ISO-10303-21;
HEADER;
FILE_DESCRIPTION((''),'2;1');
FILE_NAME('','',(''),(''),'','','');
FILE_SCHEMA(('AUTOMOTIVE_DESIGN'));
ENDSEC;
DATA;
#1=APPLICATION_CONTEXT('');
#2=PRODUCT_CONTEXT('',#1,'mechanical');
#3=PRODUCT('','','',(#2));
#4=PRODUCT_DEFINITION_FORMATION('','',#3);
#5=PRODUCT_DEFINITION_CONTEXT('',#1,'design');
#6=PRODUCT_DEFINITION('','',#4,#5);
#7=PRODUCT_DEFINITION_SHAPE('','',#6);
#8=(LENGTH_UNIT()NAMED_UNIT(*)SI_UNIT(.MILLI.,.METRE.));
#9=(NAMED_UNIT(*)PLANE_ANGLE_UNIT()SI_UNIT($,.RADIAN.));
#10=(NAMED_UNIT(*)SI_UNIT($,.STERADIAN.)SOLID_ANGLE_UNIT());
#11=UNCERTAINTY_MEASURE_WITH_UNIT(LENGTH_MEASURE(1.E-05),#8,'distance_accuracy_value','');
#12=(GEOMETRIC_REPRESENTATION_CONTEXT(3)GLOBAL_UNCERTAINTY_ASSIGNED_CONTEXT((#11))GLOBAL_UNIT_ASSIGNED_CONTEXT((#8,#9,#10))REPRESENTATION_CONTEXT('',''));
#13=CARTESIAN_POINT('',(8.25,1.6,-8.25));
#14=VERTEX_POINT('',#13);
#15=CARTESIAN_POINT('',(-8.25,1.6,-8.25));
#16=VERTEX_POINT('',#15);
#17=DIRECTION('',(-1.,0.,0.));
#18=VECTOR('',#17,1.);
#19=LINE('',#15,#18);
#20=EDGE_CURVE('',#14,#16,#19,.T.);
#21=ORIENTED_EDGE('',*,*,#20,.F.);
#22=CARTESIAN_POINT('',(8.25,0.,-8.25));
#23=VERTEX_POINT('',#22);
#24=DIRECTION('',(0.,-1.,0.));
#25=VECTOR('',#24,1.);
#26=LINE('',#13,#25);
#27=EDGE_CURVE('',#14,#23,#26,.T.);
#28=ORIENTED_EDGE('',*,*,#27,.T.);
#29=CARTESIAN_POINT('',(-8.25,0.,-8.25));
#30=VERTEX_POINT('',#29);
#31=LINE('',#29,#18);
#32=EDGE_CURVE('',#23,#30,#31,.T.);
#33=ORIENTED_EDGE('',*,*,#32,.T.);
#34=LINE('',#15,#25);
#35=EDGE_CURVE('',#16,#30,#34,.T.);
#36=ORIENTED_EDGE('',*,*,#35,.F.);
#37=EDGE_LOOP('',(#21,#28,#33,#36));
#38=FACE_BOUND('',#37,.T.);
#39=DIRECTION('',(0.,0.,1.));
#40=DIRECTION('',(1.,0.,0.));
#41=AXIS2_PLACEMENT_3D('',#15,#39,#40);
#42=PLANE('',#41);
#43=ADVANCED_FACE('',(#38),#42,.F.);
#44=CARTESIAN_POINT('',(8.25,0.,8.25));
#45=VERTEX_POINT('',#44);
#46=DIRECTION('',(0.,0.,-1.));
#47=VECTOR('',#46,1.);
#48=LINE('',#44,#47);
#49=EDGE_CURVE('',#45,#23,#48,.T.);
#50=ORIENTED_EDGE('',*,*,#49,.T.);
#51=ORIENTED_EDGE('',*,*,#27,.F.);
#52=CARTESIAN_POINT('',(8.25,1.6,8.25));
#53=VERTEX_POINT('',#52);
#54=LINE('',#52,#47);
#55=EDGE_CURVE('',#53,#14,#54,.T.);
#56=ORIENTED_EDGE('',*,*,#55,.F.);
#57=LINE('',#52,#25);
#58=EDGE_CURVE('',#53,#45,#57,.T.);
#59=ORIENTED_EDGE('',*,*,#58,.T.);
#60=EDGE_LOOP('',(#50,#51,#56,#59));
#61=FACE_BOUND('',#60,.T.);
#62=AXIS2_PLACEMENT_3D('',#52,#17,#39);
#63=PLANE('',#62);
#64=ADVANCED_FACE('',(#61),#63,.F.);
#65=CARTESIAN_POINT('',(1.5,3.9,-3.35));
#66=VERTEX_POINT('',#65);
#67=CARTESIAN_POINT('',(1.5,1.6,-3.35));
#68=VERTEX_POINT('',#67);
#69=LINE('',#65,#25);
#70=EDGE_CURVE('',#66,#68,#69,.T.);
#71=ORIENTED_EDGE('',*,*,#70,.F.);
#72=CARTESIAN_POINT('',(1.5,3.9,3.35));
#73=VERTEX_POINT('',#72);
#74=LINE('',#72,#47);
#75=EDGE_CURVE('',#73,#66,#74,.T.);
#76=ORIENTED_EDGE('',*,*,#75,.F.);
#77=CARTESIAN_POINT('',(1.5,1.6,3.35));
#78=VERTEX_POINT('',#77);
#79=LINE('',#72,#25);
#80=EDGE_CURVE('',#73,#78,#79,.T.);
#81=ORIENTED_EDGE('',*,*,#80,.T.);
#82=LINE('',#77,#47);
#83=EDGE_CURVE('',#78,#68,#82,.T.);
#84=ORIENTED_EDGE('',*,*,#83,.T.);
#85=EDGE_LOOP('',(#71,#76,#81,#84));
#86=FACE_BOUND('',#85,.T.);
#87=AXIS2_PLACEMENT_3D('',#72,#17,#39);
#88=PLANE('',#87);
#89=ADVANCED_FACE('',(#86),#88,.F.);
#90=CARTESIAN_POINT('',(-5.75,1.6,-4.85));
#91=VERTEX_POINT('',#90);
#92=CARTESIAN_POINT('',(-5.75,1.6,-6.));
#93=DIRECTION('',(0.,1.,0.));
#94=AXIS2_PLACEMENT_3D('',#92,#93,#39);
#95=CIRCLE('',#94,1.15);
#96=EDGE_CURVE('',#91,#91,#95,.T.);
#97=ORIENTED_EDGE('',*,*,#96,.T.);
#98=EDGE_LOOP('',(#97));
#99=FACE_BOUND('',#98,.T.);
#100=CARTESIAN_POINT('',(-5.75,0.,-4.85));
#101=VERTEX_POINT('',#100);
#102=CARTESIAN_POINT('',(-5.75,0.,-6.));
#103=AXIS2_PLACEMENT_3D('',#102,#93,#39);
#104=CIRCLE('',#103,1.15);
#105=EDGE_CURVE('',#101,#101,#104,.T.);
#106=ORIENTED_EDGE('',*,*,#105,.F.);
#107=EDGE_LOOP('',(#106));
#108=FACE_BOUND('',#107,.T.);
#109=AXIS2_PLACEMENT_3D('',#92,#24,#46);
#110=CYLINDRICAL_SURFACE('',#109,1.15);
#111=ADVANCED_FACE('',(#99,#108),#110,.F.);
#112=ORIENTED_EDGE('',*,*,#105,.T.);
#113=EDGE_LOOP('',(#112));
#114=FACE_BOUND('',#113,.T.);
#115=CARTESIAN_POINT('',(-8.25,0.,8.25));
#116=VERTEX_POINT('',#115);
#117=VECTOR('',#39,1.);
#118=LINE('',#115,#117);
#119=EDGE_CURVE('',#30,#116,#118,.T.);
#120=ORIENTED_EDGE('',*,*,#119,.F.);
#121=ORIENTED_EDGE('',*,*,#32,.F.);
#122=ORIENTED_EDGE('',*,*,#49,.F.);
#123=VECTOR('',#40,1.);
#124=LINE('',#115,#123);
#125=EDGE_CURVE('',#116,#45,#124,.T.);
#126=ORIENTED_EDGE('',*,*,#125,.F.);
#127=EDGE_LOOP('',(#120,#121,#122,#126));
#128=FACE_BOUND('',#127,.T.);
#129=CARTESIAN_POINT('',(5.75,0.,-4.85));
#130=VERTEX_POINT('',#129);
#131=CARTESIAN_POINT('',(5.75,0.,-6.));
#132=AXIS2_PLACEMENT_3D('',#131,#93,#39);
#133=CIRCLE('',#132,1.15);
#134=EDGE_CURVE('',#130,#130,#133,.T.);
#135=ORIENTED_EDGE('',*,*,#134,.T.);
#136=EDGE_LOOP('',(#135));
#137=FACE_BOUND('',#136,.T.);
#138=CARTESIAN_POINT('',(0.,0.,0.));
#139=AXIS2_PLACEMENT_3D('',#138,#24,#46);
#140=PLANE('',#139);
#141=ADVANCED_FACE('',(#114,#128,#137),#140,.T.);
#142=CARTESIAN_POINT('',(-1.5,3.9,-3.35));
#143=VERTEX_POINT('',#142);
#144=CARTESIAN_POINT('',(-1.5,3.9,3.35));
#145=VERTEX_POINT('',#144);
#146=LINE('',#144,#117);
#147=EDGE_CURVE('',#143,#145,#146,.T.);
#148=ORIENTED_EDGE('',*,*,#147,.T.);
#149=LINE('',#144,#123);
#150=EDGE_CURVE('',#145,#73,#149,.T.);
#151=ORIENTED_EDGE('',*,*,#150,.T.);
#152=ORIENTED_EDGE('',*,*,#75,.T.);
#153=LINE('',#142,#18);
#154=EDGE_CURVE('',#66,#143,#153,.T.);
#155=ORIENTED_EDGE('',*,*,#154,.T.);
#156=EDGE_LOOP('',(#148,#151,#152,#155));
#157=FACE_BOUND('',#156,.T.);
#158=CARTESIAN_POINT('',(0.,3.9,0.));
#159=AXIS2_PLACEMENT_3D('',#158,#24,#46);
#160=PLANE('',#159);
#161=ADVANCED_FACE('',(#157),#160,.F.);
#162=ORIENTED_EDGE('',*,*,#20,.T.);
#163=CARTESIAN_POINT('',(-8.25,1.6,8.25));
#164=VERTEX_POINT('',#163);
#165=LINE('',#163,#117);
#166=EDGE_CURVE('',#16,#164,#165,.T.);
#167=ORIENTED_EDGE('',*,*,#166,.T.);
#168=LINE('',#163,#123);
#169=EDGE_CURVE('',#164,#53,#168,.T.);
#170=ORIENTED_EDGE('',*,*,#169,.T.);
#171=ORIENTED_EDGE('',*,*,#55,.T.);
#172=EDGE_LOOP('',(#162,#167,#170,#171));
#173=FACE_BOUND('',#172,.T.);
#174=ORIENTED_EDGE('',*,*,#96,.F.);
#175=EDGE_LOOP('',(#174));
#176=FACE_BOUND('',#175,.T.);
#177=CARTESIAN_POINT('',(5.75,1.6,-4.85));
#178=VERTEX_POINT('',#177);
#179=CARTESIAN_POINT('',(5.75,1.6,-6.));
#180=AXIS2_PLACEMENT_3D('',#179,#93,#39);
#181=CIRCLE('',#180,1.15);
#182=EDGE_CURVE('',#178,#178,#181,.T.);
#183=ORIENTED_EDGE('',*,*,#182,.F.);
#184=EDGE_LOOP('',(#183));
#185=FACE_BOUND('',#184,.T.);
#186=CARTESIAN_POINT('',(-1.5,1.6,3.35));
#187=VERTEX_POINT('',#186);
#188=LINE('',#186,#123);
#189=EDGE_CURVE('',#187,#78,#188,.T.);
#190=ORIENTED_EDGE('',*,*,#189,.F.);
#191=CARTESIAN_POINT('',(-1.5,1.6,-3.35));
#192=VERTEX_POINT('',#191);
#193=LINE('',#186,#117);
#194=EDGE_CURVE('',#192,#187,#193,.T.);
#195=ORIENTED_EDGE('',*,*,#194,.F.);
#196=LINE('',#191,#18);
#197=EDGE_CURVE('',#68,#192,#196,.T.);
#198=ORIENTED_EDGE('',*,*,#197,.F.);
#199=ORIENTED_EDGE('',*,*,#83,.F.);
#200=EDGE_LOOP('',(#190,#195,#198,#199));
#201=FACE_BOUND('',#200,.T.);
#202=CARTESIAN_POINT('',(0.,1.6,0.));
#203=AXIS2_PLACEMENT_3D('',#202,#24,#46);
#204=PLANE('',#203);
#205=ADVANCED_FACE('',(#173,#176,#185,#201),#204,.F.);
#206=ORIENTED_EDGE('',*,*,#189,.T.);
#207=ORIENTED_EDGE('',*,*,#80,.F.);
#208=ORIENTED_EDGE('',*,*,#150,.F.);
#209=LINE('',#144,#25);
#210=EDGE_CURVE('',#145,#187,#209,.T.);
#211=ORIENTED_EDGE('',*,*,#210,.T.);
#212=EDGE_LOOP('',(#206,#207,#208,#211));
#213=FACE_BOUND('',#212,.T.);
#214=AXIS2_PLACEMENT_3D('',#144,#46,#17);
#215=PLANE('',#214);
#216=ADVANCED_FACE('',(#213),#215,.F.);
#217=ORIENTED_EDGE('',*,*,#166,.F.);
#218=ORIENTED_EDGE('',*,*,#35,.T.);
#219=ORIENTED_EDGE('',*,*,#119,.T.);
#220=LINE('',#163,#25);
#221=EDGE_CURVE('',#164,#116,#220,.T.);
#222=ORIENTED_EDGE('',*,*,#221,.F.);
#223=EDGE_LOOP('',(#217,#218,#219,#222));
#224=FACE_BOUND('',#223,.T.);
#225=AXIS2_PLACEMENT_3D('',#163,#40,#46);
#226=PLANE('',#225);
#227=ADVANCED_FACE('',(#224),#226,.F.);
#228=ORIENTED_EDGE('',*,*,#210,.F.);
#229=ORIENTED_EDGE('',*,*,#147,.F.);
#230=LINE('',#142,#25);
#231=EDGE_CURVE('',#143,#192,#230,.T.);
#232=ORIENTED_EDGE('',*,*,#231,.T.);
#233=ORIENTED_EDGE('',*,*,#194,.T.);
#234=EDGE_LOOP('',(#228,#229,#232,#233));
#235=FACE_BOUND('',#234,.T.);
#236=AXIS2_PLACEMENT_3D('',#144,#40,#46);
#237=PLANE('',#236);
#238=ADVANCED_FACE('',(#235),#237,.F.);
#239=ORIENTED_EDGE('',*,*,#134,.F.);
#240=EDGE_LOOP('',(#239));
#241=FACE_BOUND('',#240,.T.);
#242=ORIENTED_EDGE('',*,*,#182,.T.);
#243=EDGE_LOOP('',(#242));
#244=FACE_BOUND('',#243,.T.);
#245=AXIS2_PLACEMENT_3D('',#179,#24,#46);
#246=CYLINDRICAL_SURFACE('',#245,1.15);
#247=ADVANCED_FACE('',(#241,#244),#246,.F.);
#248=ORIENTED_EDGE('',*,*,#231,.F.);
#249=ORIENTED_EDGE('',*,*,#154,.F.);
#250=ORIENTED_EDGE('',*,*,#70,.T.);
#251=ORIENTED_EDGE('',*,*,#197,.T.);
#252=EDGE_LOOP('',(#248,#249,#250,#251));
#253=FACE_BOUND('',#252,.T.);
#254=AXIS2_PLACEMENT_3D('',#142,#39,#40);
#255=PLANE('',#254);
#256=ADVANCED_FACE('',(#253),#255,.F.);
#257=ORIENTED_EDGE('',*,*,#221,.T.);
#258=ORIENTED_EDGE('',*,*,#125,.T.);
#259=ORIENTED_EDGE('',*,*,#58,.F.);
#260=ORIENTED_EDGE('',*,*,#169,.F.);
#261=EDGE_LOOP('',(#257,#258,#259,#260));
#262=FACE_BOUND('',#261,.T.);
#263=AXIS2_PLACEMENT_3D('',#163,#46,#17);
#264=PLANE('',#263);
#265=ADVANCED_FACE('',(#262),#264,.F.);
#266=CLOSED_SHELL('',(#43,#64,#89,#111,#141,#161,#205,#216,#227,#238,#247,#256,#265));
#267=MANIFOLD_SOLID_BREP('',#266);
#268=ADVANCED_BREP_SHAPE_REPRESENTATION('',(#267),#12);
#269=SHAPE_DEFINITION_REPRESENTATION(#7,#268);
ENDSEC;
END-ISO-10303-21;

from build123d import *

# Parameters (mm, degrees)
SKETCH1_W           = 16.5
SKETCH1_H           = 16.5
SKETCH1_R           = 1.15
BOSS_EXTRUDE1_DEPTH = 1.6
SKETCH2_W           = 3
SKETCH2_H           = 6.7
BOSS_EXTRUDE2_DEPTH = 2.3


with BuildPart() as part:
    # Sketch1 → Boss-Extrude1 (new body)
    with BuildSketch(Plane(origin=(0, 0, 0), x_dir=(1, 0, 0), z_dir=(0, 1, 0))):
        Rectangle(SKETCH1_W, SKETCH1_H)
        with Locations(Location((-5.75, 6, 0), (0, 0, 270))):
            Circle(SKETCH1_R, mode=Mode.SUBTRACT)
        with Locations(Location((5.75, 6, 0), (0, 0, 270))):
            Circle(SKETCH1_R, mode=Mode.SUBTRACT)
    extrude(amount=BOSS_EXTRUDE1_DEPTH)

    # Sketch2 → Boss-Extrude2 (add)
    with BuildSketch(Plane(origin=(0, 1.6, 0), x_dir=(1, 0, 0), z_dir=(0, 1, 0))):
        Rectangle(SKETCH2_W, SKETCH2_H)
    extrude(amount=BOSS_EXTRUDE2_DEPTH)


solid = part.part
